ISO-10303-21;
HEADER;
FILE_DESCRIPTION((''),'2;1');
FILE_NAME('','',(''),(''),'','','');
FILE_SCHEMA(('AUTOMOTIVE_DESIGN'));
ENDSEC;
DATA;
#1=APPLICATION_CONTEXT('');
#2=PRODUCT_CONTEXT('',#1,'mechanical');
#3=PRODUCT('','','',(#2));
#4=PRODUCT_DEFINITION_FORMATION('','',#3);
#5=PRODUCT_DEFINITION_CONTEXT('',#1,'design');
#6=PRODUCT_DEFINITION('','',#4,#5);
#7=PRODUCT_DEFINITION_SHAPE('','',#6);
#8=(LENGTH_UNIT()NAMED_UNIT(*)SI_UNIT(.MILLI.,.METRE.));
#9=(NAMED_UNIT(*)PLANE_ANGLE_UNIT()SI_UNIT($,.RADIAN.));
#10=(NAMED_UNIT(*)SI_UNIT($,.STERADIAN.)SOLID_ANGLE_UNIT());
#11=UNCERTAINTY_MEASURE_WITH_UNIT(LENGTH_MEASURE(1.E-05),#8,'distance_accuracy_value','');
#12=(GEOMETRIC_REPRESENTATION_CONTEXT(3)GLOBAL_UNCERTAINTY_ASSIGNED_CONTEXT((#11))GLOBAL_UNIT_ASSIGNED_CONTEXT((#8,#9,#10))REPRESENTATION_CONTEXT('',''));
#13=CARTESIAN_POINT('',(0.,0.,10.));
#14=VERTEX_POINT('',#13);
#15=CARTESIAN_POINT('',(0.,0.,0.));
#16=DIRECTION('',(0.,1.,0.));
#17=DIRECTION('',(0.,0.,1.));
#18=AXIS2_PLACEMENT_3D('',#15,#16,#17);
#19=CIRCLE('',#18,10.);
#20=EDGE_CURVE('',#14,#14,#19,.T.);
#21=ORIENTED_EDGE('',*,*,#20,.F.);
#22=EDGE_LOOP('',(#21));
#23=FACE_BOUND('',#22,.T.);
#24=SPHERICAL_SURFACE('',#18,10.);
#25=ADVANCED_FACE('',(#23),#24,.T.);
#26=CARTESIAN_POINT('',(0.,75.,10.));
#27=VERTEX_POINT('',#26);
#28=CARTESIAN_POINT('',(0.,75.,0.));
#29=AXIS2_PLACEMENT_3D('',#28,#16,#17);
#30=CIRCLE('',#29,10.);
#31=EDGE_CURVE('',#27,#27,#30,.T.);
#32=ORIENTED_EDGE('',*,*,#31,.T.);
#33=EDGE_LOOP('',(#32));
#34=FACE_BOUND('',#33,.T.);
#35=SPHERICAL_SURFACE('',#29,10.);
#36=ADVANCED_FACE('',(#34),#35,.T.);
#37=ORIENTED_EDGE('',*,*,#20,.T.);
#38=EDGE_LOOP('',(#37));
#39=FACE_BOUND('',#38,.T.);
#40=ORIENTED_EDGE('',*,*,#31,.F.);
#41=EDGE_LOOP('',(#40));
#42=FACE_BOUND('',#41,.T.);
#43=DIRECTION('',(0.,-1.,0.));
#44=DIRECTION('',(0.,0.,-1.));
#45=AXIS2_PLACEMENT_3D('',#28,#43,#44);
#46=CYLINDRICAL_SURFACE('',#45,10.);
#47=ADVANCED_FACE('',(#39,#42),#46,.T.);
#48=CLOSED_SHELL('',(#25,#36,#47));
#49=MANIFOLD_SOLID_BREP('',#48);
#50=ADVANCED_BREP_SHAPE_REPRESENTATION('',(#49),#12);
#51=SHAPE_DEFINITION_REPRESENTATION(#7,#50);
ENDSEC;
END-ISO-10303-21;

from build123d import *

# Parameters (mm, degrees)
SKETCH1_R           = 10
BOSS_EXTRUDE1_DEPTH = 75
DOME2_FACE_RADIUS   = 10
DOME2_HEIGHT        = 10
DOME3_FACE_RADIUS   = 10
DOME3_HEIGHT        = 10


with BuildPart() as part:
    # Sketch1 → Boss-Extrude1 (new body)
    with BuildSketch(Plane(origin=(0, 0, 0), x_dir=(1, 0, 0), z_dir=(0, 1, 0))):
        with Locations(Location((0, 0, 0), (0, 0, 270))):
            Circle(SKETCH1_R)
    extrude(amount=BOSS_EXTRUDE1_DEPTH)

    # Dome2: a dome of height H over a round flat face of radius A is a cap of a sphere of radius (A * A + H * H) / (2 * H)
    dome2_r = (DOME2_FACE_RADIUS * DOME2_FACE_RADIUS + DOME2_HEIGHT * DOME2_HEIGHT) / (2 * DOME2_HEIGHT)
    dome2_base = Plane((0, 75, 0), z_dir=(0, 1, 0))
    with Locations(dome2_base.offset(DOME2_HEIGHT - dome2_r)):
        dome2_ball = Sphere(dome2_r, mode=Mode.PRIVATE)
    add(split(dome2_ball, bisect_by=dome2_base, keep=Keep.TOP, mode=Mode.PRIVATE))

    # Dome3: a dome of height H over a round flat face of radius A is a cap of a sphere of radius (A * A + H * H) / (2 * H)
    dome3_r = (DOME3_FACE_RADIUS * DOME3_FACE_RADIUS + DOME3_HEIGHT * DOME3_HEIGHT) / (2 * DOME3_HEIGHT)
    dome3_base = Plane((0, 0, 0), z_dir=(0, -1, 0))
    with Locations(dome3_base.offset(DOME3_HEIGHT - dome3_r)):
        dome3_ball = Sphere(dome3_r, mode=Mode.PRIVATE)
    add(split(dome3_ball, bisect_by=dome3_base, keep=Keep.TOP, mode=Mode.PRIVATE))


solid = part.part
